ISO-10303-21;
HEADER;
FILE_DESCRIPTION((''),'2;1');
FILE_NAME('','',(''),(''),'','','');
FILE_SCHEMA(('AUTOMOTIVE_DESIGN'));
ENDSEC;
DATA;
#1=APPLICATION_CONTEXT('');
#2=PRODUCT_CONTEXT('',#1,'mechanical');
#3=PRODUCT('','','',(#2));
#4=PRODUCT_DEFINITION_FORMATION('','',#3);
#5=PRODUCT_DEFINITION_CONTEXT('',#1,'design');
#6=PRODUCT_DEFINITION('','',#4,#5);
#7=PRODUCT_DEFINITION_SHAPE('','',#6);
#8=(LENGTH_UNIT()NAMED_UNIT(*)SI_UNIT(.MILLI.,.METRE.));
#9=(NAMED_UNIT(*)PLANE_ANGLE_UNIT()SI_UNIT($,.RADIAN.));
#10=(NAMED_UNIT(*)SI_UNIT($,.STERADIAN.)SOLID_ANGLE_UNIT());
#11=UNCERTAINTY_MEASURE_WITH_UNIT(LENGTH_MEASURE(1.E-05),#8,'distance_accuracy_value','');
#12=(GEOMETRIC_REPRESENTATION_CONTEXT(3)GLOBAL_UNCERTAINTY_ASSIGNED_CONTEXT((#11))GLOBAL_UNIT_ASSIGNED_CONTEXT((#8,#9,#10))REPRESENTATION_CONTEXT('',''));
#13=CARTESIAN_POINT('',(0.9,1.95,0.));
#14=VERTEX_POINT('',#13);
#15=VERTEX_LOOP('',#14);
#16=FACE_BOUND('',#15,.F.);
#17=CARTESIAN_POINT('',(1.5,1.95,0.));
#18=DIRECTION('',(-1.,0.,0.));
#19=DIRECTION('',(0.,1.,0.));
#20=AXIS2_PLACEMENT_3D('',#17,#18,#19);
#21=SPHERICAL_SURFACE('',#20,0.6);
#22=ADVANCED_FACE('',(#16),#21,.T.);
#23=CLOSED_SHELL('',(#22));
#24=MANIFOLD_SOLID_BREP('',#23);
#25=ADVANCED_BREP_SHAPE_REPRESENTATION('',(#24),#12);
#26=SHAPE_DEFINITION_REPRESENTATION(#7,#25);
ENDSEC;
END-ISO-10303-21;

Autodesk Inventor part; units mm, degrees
ref_plane "YZ Plane" through (0, 0, 0) normal (1, 0, 0) x (0, 1, 0)
ref_plane "XZ Plane" through (0, 0, 0) normal (0, 1, 0) x (-1, 0, 0)
ref_plane "XY Plane" through (0, 0, 0) normal (0, 0, 1) x (1, 0, 0)
sketch "Sketch_6" plane through (0, 0, 0) normal (0, 0, 1) x (1, 0, 0)
  line L0 (2.1, 1.95) -> (0.9, 1.95)
  arc A0 (2.1, 1.95) -> (0.9, 1.95) centre (1.5, 1.95) ccw
  line L1 (2.1, 1.95) -> (0.9, 1.95)
  dimension "d0" = 360
revolve "Revolution1" add sketch "Sketch_6" angle 360 about axis through (2.1, 1.95, 0) along (1, 0, 0)
properties part number "W 639/2-2Z_PART3"
